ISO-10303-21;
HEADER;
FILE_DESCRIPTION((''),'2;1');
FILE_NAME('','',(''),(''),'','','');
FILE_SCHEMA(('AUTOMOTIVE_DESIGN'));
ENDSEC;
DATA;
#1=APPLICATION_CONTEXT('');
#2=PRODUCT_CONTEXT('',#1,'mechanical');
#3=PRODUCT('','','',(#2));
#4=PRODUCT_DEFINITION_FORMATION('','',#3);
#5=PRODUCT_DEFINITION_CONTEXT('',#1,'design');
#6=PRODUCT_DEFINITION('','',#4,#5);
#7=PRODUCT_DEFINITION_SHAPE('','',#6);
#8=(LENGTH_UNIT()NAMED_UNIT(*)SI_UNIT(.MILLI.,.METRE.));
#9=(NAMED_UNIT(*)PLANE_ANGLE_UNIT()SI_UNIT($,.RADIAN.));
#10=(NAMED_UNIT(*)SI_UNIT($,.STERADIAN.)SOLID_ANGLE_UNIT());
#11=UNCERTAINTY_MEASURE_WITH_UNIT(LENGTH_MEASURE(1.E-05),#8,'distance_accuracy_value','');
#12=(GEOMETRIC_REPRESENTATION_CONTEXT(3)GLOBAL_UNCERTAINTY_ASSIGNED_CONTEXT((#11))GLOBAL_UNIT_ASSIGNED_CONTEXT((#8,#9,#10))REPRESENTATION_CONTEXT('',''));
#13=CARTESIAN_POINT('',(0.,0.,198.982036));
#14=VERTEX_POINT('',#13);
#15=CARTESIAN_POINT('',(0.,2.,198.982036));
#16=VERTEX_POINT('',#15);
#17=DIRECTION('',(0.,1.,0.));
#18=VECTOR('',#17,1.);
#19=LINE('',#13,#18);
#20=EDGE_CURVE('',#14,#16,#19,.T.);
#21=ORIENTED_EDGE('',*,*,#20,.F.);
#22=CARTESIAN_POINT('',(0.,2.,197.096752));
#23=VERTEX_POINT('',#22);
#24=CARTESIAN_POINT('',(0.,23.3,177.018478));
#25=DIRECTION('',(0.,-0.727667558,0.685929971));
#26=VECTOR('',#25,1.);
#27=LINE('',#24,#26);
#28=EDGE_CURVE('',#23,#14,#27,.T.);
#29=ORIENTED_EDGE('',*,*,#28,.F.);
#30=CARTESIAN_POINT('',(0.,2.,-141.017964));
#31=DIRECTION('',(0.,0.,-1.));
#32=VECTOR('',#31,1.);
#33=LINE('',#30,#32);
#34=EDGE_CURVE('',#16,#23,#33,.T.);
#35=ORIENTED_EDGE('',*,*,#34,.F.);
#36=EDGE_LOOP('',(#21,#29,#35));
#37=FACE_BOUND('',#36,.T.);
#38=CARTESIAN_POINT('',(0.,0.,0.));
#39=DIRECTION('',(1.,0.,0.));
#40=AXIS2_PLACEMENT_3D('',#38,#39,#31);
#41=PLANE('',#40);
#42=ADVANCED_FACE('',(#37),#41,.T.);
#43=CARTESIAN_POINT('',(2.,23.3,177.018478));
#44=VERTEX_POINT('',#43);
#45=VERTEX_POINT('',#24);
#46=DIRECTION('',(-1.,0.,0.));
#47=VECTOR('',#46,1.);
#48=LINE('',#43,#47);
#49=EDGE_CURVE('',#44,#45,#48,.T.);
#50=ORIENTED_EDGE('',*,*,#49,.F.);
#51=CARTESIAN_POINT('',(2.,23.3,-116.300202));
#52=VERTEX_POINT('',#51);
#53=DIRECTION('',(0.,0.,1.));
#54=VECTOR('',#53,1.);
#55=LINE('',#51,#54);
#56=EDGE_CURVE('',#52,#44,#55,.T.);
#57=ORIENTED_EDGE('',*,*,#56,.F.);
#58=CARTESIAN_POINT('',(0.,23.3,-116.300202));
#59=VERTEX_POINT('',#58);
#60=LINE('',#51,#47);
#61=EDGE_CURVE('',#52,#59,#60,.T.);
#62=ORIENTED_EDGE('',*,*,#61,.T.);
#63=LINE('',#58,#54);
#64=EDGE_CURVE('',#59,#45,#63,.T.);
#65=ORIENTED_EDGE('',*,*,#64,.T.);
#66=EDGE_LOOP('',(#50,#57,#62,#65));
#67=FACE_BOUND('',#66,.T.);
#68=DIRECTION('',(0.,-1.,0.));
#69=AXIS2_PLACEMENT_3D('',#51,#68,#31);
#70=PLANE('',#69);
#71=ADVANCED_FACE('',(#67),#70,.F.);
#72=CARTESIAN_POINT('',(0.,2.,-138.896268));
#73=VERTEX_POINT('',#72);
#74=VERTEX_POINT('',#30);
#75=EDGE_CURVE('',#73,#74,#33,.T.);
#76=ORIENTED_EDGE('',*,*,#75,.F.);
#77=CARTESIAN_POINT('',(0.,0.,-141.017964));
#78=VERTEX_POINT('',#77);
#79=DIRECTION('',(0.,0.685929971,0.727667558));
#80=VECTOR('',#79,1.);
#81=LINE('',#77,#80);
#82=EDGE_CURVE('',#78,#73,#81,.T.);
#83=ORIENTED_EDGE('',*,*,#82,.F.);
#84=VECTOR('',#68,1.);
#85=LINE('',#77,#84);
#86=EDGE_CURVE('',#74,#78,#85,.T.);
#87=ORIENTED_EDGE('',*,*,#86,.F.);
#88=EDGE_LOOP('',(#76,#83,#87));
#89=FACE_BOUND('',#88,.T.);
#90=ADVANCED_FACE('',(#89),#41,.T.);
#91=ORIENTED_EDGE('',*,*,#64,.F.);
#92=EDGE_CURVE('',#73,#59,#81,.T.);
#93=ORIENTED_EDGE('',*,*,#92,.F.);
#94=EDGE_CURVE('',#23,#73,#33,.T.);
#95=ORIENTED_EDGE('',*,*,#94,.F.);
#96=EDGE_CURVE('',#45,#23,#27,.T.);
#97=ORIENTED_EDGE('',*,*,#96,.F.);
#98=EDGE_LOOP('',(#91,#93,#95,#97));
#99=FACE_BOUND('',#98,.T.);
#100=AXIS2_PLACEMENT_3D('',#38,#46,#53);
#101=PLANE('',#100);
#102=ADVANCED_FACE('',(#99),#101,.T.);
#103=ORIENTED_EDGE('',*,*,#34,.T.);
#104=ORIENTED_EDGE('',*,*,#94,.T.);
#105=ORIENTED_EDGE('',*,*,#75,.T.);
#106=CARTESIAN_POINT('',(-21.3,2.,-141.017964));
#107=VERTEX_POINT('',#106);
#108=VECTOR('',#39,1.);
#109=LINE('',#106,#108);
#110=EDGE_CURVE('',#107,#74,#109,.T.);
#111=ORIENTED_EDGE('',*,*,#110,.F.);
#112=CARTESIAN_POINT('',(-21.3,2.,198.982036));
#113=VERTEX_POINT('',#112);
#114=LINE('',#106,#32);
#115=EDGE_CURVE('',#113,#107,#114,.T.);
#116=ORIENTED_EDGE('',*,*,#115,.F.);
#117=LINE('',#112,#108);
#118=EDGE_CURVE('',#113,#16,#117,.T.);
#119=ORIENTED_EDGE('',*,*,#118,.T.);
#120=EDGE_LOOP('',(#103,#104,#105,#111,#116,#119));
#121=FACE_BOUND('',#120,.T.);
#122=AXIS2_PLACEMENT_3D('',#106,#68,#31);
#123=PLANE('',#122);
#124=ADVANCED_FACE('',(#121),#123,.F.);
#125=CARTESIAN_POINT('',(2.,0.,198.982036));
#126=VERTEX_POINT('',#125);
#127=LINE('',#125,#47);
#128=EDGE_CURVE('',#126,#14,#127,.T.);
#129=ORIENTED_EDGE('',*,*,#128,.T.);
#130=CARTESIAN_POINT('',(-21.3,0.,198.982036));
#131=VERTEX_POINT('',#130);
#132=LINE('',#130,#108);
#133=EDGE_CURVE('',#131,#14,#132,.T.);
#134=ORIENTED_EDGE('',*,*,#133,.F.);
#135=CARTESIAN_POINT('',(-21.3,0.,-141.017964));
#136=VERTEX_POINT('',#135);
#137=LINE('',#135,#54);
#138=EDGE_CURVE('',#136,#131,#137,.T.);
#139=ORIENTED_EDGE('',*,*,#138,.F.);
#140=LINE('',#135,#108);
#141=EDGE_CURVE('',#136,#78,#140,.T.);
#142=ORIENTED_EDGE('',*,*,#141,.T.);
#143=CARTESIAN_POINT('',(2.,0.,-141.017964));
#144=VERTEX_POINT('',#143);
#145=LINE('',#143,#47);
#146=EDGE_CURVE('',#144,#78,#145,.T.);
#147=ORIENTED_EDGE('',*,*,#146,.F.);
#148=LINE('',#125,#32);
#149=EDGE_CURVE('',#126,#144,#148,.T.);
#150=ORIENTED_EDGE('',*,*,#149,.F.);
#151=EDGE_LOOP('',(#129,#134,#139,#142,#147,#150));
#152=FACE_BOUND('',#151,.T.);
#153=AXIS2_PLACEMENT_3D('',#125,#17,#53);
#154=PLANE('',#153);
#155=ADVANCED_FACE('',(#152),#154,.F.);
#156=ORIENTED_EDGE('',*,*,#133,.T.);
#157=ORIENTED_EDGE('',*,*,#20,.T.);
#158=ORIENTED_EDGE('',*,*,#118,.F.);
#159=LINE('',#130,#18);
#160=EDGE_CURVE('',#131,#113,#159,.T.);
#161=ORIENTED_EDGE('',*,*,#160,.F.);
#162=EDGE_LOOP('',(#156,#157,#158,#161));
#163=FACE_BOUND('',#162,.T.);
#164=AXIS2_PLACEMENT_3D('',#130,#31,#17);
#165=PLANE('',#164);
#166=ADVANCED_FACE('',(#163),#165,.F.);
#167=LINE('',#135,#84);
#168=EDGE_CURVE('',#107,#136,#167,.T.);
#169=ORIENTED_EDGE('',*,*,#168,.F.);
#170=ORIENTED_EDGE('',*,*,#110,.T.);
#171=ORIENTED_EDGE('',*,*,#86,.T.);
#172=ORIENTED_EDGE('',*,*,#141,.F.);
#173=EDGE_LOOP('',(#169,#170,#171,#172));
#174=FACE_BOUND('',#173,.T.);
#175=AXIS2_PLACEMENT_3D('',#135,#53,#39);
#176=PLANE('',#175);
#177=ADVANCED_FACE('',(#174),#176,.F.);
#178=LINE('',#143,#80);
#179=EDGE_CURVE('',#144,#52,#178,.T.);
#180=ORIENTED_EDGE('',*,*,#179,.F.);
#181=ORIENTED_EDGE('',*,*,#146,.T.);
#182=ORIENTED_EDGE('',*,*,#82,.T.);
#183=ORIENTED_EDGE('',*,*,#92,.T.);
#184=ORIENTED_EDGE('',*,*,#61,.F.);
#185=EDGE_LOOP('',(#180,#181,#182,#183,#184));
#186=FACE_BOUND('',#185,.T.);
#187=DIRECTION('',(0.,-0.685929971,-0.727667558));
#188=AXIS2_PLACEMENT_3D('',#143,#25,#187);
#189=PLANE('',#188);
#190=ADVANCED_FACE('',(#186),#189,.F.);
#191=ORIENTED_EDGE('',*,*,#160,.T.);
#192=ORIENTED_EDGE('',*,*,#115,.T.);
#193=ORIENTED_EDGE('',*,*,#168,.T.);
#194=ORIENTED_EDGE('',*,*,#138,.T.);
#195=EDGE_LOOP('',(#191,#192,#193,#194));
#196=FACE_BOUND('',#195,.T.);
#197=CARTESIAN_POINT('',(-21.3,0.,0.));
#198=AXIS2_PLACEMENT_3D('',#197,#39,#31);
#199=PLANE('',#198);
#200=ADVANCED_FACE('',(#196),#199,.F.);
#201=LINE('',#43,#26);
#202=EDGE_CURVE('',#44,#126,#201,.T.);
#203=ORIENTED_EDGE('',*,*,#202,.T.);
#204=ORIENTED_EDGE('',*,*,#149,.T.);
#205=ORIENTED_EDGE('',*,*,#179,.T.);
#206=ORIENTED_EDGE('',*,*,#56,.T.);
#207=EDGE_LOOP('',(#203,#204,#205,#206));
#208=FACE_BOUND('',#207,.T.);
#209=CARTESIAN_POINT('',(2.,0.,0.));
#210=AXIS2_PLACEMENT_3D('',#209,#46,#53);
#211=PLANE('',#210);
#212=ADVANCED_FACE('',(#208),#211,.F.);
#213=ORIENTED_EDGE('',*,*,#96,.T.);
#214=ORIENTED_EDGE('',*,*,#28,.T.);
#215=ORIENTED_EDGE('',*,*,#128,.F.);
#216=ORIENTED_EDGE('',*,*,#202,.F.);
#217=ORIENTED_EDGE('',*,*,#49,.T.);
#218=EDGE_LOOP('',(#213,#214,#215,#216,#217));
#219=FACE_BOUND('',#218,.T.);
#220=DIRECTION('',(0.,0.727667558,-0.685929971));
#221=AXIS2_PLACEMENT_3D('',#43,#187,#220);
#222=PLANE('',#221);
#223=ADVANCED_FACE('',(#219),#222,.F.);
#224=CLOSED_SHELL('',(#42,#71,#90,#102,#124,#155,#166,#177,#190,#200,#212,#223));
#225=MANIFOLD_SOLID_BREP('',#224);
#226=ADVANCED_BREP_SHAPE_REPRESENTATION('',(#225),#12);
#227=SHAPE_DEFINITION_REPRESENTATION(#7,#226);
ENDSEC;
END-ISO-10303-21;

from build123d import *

# Parameters (mm, degrees)
BOSS_EXTRUDE1_DEPTH = 2
SKETCH2_W           = 340
SKETCH2_H           = 2
BOSS_EXTRUDE2_DEPTH = 21.3


with BuildPart() as part:
    # Sketch1 → Boss-Extrude1 (new body)
    with BuildSketch(Plane(origin=(0, 0, 0), x_dir=(0, 0, -1), z_dir=(1, 0, 0))):
        Polygon((-198.982035928, 0), (141.017964072, 0), (116.300201593, 23.3), (-177.018478326, 23.3), align=None)
    extrude(amount=BOSS_EXTRUDE1_DEPTH)

    # Sketch2 → Boss-Extrude2 (add)
    with BuildSketch(Plane.ZY):
        with Locations((28.982035928, 1)):
            Rectangle(SKETCH2_W, SKETCH2_H)
    extrude(amount=BOSS_EXTRUDE2_DEPTH)


solid = part.part
